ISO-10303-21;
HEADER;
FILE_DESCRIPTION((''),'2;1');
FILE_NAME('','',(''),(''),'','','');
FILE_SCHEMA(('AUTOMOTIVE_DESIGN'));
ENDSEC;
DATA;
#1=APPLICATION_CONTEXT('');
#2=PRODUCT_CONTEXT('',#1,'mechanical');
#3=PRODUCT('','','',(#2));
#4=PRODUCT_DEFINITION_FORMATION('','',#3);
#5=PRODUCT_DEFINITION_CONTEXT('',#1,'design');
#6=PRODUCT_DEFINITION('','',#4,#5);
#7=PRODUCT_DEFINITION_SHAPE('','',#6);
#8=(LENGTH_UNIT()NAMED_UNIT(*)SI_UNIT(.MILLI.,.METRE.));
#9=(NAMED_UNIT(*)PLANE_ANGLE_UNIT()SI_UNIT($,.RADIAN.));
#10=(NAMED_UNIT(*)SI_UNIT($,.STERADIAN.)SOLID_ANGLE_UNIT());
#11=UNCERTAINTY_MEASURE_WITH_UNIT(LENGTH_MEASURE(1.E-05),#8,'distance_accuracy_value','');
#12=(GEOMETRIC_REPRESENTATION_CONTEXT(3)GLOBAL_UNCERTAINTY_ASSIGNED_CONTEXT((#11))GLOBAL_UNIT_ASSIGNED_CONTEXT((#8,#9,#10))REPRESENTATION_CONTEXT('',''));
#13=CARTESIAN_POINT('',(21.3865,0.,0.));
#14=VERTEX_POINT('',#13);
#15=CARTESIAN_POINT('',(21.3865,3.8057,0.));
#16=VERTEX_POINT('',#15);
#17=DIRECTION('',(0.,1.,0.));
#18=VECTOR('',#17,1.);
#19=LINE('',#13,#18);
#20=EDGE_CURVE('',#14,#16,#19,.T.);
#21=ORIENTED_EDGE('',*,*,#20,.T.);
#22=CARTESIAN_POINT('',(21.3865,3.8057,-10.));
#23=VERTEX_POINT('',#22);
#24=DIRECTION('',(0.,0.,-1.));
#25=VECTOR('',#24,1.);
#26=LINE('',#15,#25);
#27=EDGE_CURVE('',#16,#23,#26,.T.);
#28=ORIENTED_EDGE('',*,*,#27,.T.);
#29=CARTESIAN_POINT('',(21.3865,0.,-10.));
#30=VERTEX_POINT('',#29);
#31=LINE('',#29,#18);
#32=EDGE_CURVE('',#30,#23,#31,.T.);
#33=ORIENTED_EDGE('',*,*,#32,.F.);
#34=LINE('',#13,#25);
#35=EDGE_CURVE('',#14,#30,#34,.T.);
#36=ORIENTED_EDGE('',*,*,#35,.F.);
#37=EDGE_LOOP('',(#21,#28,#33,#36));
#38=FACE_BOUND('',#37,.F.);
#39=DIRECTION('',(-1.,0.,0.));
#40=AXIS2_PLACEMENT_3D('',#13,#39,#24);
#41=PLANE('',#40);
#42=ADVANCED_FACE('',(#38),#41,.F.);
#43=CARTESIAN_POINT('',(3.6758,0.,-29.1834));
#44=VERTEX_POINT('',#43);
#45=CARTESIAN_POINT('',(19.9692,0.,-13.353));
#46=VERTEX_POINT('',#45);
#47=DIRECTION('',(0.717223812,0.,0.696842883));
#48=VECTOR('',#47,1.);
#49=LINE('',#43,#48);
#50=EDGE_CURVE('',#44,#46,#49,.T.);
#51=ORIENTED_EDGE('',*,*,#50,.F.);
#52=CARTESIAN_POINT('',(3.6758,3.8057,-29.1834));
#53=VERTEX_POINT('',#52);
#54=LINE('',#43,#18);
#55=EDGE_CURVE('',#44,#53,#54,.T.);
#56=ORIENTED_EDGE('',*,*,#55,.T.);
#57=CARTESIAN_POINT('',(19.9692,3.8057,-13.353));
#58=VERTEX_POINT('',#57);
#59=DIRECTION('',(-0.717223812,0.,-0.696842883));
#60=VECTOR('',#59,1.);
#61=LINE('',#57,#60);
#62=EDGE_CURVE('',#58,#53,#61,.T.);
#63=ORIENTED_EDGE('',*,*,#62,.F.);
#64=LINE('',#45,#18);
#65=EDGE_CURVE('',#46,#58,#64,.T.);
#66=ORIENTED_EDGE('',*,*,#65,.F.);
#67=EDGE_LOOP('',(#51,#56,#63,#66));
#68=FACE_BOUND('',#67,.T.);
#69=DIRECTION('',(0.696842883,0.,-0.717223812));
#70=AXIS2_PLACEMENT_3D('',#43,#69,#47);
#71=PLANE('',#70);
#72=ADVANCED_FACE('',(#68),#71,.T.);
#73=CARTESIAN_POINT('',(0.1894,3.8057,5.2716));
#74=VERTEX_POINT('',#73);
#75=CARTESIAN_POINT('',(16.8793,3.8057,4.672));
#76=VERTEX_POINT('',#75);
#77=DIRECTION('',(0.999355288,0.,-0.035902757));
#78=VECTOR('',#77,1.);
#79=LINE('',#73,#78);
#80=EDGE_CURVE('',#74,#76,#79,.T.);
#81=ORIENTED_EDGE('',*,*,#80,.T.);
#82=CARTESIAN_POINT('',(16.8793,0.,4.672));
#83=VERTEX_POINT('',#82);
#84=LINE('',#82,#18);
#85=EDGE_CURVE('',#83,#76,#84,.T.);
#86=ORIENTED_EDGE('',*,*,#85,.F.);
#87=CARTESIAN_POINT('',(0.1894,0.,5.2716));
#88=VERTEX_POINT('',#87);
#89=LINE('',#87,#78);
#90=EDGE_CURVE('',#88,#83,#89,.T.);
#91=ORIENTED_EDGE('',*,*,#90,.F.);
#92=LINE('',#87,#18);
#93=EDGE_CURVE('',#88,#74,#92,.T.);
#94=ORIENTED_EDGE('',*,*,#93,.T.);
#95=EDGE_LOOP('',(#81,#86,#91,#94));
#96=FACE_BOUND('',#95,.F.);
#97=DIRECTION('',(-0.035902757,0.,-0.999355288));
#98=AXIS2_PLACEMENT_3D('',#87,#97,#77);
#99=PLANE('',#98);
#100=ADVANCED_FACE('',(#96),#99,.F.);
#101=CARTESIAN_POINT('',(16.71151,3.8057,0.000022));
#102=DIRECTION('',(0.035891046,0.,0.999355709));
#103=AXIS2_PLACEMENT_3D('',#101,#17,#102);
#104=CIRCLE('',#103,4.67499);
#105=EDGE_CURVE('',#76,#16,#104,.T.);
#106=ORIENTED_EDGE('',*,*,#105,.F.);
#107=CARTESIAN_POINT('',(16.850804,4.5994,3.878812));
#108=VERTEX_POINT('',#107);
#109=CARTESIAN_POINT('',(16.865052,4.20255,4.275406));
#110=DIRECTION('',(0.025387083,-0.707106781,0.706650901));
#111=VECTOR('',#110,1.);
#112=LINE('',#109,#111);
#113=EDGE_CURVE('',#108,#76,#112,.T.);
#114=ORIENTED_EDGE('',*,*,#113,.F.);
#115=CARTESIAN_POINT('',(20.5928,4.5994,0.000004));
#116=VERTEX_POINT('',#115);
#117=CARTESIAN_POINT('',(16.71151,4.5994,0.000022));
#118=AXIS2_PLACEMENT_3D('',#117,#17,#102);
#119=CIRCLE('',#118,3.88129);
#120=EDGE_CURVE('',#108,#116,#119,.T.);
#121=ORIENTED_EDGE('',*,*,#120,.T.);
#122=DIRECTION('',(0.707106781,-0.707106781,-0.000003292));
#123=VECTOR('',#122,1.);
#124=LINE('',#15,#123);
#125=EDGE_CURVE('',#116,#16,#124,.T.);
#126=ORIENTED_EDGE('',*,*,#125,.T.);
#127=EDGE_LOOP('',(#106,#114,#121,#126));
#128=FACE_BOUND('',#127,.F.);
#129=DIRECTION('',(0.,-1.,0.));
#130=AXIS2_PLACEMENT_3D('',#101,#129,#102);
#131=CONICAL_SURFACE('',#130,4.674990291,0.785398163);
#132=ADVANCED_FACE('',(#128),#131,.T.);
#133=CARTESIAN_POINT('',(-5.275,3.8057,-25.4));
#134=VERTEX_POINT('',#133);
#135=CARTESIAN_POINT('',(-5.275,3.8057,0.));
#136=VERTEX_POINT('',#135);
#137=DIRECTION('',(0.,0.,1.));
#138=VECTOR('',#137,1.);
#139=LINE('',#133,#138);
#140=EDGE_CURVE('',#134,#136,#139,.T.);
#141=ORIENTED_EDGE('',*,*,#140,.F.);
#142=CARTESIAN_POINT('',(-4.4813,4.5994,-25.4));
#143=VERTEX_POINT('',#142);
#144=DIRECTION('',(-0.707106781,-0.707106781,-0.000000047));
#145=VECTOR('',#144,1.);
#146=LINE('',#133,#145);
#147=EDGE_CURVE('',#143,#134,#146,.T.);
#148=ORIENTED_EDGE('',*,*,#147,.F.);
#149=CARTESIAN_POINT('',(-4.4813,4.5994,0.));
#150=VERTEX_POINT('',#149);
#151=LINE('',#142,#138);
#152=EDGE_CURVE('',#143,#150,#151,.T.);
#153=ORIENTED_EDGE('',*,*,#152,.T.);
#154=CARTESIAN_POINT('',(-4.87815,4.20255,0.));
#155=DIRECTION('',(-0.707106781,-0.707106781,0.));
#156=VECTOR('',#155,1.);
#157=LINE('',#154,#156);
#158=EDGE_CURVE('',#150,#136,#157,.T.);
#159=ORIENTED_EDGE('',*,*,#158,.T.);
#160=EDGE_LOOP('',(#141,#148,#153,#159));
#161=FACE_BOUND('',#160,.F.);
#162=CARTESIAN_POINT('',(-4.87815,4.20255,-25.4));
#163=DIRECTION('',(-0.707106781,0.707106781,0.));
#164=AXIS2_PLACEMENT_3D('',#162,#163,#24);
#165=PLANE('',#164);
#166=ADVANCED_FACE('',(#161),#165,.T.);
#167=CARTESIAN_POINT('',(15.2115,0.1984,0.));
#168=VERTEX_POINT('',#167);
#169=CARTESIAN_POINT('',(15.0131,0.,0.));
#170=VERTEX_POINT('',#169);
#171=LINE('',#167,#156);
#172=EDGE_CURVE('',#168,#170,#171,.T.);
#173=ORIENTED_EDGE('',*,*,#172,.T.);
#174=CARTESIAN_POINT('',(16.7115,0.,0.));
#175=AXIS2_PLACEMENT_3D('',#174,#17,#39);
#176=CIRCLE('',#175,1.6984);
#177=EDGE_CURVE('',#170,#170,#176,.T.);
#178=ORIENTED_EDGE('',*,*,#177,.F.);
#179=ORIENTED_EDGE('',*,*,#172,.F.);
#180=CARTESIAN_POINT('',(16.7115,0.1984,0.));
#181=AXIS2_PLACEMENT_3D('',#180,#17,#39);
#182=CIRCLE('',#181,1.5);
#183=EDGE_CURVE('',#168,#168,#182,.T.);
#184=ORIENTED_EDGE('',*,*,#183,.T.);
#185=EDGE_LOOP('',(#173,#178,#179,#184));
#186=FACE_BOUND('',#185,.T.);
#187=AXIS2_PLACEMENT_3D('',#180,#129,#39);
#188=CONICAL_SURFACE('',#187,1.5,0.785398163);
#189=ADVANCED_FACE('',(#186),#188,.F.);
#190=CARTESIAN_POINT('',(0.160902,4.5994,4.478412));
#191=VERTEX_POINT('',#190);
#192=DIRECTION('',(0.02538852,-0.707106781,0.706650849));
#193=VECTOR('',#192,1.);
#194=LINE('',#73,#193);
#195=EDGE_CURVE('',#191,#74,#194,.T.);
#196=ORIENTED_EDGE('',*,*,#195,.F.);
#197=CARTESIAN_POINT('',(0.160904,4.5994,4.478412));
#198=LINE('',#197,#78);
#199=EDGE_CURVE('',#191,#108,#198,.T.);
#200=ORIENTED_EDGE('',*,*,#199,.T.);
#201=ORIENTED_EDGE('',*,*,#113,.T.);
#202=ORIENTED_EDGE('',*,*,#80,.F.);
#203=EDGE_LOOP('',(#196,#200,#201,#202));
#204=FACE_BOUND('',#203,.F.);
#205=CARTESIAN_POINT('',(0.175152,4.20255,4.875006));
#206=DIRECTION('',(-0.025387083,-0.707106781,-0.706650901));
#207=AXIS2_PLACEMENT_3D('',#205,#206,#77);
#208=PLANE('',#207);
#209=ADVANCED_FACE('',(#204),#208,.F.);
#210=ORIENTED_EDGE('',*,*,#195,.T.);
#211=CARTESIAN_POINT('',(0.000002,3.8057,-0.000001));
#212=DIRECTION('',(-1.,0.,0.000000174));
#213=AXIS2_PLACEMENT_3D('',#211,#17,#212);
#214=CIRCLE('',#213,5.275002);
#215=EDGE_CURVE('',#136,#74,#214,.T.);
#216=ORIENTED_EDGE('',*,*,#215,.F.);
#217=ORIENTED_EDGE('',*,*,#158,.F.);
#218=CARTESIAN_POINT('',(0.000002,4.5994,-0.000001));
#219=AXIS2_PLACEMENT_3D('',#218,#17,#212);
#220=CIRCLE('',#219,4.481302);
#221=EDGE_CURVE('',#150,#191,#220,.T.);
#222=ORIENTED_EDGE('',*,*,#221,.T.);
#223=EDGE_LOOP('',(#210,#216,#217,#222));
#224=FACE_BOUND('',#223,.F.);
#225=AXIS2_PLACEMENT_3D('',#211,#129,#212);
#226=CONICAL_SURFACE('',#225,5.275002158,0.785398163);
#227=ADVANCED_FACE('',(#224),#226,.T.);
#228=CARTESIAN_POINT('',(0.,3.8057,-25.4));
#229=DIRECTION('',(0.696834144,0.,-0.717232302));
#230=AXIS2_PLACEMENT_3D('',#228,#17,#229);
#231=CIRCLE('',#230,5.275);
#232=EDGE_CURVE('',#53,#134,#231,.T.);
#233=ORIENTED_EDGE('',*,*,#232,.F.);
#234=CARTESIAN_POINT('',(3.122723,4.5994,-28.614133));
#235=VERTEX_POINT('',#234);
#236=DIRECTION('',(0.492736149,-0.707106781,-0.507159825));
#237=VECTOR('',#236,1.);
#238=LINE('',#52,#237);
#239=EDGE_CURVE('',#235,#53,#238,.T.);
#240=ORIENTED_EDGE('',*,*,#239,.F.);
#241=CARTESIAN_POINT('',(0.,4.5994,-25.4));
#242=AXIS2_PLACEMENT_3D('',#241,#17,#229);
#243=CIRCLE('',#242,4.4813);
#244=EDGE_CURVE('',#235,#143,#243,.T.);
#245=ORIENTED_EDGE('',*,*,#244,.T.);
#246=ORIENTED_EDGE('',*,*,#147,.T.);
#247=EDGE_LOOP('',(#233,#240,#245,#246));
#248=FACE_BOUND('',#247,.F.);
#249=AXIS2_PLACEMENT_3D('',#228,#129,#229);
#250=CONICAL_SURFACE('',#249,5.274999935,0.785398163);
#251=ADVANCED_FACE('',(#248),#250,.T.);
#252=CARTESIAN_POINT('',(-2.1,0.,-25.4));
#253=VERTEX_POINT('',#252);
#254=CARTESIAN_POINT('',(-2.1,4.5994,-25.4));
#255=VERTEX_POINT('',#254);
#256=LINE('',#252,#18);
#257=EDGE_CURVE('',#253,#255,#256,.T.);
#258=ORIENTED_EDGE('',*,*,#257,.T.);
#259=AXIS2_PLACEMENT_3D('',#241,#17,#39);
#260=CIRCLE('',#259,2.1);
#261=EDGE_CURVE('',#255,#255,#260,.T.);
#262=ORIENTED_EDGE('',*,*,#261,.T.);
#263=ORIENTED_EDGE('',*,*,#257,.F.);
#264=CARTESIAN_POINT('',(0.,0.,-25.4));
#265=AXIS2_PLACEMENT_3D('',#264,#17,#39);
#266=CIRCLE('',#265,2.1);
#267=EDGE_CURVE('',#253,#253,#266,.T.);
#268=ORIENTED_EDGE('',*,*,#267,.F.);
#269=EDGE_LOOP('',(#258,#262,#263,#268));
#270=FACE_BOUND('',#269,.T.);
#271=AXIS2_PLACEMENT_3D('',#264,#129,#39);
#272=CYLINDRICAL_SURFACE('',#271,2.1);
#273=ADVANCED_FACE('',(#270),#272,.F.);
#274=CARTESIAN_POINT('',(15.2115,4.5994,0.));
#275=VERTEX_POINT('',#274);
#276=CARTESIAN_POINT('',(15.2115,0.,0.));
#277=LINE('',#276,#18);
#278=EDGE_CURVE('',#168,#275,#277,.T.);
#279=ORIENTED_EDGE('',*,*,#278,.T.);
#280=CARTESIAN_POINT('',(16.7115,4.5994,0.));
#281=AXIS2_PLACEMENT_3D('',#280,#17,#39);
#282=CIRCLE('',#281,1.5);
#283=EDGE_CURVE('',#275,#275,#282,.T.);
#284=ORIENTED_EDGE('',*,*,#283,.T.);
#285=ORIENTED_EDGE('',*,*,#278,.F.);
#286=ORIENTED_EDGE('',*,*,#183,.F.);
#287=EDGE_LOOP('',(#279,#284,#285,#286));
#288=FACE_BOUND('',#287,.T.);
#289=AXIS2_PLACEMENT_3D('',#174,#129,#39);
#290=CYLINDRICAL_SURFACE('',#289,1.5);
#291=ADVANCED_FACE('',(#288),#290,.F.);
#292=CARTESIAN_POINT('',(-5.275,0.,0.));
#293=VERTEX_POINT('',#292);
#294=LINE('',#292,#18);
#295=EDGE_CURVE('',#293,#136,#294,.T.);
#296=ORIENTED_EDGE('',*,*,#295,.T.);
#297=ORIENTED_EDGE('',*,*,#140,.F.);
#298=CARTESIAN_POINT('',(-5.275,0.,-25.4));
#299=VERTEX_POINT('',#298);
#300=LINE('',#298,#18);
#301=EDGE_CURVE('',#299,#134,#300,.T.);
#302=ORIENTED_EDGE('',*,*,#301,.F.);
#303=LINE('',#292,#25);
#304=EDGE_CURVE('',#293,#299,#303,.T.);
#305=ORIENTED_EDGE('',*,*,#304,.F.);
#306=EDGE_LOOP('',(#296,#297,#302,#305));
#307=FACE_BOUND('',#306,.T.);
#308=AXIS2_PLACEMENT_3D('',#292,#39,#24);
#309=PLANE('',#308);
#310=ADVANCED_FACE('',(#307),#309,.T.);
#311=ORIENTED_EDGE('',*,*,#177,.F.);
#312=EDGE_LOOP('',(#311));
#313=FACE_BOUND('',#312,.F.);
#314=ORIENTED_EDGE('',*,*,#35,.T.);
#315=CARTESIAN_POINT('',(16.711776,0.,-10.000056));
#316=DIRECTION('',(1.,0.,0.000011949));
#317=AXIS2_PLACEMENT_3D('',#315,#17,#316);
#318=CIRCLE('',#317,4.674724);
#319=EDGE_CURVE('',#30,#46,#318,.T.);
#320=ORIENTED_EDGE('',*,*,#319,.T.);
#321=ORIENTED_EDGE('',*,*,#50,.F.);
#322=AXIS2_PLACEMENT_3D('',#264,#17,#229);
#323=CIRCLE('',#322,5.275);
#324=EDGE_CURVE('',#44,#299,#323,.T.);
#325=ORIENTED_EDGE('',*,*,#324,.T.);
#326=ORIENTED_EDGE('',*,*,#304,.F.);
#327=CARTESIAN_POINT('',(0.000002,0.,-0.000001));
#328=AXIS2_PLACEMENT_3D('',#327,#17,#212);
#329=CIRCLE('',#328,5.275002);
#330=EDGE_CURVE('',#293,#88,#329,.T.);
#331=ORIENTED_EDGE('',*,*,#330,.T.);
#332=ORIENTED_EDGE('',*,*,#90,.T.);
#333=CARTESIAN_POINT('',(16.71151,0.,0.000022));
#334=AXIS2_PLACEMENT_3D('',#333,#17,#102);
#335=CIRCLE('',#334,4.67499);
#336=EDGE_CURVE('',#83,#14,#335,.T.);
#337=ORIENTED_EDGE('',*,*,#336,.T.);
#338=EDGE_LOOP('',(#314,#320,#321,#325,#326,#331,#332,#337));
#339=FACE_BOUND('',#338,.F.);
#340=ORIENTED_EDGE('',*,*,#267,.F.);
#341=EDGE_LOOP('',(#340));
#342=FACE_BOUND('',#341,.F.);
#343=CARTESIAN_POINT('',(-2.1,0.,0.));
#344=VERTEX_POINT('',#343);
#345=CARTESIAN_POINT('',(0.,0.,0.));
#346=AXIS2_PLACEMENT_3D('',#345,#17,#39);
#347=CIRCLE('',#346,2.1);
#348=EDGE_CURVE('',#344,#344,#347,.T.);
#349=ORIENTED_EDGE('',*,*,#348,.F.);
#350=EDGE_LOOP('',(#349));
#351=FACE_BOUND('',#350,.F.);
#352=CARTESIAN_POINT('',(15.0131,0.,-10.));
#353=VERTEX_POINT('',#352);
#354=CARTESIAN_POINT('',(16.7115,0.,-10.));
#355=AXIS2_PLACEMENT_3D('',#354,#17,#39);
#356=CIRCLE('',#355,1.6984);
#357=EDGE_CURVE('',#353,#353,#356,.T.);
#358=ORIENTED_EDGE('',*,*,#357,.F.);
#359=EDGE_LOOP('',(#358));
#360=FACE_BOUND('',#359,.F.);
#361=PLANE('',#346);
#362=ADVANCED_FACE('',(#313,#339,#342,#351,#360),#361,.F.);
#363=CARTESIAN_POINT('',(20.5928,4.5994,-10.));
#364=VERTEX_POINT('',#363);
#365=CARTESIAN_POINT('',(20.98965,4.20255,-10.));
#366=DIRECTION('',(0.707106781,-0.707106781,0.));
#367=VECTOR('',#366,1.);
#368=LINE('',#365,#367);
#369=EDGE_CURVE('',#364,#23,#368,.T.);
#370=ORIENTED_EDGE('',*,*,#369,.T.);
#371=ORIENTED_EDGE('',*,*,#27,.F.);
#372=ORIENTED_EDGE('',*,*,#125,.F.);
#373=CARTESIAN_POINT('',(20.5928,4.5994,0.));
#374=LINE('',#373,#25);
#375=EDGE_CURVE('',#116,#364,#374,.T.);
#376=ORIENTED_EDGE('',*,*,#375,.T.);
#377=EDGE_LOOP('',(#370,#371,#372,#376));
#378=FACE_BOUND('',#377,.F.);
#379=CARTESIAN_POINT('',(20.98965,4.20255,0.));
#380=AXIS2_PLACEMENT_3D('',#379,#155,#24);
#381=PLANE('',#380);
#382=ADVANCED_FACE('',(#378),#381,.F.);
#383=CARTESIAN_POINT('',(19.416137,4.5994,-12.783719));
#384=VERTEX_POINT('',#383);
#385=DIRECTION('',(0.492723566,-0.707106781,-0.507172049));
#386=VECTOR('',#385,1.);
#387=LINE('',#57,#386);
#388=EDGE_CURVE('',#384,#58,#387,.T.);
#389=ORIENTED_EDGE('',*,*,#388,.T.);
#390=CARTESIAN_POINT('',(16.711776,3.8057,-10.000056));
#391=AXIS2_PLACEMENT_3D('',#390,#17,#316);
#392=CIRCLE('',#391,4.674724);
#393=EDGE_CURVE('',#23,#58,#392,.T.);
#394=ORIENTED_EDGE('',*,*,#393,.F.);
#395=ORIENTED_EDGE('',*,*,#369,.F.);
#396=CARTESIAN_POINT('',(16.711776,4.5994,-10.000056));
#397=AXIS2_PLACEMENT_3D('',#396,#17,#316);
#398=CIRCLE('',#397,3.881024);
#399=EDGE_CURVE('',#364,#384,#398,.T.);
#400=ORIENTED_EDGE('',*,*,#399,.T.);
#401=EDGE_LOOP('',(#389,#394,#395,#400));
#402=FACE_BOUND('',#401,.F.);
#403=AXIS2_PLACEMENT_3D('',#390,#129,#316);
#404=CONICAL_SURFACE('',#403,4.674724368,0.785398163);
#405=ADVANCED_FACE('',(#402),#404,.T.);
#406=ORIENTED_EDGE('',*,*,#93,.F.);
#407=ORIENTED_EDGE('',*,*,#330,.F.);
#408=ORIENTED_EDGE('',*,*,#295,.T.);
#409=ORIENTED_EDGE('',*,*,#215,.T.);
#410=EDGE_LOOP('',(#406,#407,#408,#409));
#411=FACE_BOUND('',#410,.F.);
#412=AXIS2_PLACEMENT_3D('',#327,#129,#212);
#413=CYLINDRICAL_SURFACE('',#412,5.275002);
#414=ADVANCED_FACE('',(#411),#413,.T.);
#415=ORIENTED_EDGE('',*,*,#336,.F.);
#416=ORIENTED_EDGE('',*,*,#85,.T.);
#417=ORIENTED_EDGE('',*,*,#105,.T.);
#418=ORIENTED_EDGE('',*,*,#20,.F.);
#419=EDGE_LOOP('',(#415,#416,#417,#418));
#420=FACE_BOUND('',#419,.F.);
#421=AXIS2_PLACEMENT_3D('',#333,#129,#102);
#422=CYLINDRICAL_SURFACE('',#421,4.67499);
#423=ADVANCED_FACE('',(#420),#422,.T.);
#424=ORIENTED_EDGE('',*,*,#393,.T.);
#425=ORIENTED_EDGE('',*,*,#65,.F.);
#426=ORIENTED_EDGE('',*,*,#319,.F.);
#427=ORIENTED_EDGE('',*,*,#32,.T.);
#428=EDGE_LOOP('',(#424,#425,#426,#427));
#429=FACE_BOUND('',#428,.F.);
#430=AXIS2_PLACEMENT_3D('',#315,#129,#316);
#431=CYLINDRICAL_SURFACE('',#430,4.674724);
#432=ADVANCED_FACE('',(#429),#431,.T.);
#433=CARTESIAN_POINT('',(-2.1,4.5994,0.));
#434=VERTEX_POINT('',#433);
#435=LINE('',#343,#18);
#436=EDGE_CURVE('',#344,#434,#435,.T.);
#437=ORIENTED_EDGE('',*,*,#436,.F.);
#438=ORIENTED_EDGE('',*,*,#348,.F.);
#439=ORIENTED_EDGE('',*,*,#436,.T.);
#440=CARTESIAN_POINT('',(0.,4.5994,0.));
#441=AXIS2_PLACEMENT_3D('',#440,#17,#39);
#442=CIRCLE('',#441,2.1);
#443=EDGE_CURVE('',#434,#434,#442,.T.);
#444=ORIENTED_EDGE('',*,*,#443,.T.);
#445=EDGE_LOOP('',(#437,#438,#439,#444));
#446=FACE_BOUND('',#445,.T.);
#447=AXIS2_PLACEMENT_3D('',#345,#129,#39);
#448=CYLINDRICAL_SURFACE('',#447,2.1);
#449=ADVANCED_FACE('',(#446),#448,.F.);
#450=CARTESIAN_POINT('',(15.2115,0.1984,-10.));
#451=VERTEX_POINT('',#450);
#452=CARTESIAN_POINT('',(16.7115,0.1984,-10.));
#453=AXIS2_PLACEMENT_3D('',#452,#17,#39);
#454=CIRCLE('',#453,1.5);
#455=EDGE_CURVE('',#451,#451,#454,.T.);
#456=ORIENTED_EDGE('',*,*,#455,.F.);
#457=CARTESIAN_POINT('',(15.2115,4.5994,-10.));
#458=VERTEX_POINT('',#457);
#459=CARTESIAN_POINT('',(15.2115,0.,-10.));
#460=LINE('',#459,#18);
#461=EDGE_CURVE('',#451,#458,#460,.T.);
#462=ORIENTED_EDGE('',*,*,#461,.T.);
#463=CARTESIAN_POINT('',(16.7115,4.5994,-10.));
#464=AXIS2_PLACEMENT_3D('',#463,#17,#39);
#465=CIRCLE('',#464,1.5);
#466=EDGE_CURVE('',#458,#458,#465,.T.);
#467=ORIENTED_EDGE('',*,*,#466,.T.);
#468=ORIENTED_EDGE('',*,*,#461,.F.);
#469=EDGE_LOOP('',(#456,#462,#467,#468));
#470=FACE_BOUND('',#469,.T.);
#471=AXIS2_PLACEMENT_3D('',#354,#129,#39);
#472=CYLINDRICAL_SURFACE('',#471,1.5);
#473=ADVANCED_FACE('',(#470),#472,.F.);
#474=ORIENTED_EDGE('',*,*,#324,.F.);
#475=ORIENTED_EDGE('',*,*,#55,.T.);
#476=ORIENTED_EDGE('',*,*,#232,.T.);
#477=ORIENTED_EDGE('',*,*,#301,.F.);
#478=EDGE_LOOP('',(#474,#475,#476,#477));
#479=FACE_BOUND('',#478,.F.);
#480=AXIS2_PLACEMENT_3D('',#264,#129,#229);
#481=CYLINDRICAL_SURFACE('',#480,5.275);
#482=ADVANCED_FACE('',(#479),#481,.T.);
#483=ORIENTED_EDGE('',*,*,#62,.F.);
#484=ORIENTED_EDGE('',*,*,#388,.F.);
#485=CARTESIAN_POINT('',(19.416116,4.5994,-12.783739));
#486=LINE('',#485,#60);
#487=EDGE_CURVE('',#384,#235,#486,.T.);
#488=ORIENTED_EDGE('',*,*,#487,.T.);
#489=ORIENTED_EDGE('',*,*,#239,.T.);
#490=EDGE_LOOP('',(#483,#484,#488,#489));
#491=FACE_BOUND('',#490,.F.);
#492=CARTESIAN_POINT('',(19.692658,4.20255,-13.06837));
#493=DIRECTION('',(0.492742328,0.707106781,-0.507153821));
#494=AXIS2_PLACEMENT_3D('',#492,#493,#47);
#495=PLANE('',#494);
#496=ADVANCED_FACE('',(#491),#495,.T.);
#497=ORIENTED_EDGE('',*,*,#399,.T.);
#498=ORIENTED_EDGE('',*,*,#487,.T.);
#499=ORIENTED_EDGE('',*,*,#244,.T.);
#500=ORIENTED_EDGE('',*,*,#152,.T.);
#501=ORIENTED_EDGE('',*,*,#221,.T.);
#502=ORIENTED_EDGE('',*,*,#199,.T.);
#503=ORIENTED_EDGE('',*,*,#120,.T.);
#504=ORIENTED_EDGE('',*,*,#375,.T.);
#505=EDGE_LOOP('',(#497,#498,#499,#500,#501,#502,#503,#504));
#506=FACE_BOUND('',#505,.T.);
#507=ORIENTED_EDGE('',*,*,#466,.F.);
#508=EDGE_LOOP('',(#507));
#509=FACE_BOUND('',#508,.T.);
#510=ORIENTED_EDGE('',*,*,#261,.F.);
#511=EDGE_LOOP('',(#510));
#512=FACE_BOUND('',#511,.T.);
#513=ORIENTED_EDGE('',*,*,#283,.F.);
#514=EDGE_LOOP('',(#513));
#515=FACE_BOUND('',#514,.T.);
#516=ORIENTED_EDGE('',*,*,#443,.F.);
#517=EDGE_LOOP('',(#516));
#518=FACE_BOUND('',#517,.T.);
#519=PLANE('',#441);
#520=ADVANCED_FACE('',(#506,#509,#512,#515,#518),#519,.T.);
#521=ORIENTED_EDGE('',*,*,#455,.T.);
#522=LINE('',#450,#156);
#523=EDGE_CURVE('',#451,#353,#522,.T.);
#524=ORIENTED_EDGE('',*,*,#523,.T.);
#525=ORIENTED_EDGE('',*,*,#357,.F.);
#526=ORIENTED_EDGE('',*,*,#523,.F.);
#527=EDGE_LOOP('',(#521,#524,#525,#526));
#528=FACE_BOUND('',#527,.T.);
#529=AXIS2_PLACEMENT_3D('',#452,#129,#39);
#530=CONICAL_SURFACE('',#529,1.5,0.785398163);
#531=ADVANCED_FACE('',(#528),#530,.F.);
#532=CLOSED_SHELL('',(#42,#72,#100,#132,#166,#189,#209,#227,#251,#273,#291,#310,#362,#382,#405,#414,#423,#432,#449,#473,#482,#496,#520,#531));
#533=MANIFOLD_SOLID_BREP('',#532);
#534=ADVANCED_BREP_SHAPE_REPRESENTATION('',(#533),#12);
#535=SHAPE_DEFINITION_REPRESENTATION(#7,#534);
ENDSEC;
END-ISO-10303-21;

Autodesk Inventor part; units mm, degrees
ref_plane "YZ Plane" through (0, 0, 0) normal (1, 0, 0) x (0, 1, 0)
ref_plane "XZ Plane" through (0, 0, 0) normal (0, 1, 0) x (-1, 0, 0)
ref_plane "XY Plane" through (0, 0, 0) normal (0, 0, 1) x (1, 0, 0)
sketch "Sketch1" plane through (0, 0, 0) normal (0, 1, 0) x (-1, 0, 0)
  circle A0 centre (0, 0) radius 2.1
  circle A1 centre (0, -25.4) radius 2.1
  circle A2 centre (-16.7115, 0) radius 1.5
  circle A3 centre (-16.7115, -10) radius 1.5
  circle A4 centre (0, 0) radius 5.275 construction
  circle A5 centre (0, -25.4) radius 5.275 construction
  circle A6 centre (-16.7115, 0) radius 4.675 construction
  circle A7 centre (-16.7115, -10) radius 4.675 construction
  line L0 (-0.1894, 5.2716) -> (-16.8793, 4.672)
  line L1 (5.275, 0) -> (5.275, -25.4)
  line L2 (-3.6758, -29.1834) -> (-19.9692, -13.353)
  line L3 (-21.3865, 0) -> (-21.3865, -10)
  arc A8 (-3.6758, -29.1834) -> (5.275, -25.4) centre (0, -25.4) ccw
  arc A9 (5.275, 0) -> (-0.1894, 5.2716) centre (0, 0) ccw
  arc A10 (-16.8793, 4.672) -> (-21.3865, 0) centre (-16.7115, 0) ccw
  arc A11 (-21.3865, -10) -> (-19.9692, -13.353) centre (-16.7115, -10) ccw
  dimension "d0" = 4.2
  dimension "d1" = 25.4
  dimension "d2" = 16.7115
  dimension "d3" = 3
  dimension "d4" = 10
  dimension "d5" = 3.175
  dimension "d6" = 3.175
extrude "Extrusion1" add sketch "Sketch1" along normal blind 4.5994
chamfer "Chamfer1" distance 0.1984 angle 45 2 edges at (18.2115, 0, 0) (18.2115, 0, -10)
chamfer "Chamfer2" distance 0.7937 angle 45 8 edges at (-2.0537, 4.5994, -30.2588) (-5.275, 4.5994, -12.7) (-3.6624, 4.5994, 3.7964) (8.5344, 4.5994, 4.9718) (20.076, 4.5994, 3.2458) (21.3865, 4.5994, -5) (21.0176, 4.5994, -11.8201) (11.8225, 4.5994, -21.2682)
equation "\"d6\" = d5"
properties part number "CNC-025-YAxisCableCarrierMount" material "ABS Plastic"
